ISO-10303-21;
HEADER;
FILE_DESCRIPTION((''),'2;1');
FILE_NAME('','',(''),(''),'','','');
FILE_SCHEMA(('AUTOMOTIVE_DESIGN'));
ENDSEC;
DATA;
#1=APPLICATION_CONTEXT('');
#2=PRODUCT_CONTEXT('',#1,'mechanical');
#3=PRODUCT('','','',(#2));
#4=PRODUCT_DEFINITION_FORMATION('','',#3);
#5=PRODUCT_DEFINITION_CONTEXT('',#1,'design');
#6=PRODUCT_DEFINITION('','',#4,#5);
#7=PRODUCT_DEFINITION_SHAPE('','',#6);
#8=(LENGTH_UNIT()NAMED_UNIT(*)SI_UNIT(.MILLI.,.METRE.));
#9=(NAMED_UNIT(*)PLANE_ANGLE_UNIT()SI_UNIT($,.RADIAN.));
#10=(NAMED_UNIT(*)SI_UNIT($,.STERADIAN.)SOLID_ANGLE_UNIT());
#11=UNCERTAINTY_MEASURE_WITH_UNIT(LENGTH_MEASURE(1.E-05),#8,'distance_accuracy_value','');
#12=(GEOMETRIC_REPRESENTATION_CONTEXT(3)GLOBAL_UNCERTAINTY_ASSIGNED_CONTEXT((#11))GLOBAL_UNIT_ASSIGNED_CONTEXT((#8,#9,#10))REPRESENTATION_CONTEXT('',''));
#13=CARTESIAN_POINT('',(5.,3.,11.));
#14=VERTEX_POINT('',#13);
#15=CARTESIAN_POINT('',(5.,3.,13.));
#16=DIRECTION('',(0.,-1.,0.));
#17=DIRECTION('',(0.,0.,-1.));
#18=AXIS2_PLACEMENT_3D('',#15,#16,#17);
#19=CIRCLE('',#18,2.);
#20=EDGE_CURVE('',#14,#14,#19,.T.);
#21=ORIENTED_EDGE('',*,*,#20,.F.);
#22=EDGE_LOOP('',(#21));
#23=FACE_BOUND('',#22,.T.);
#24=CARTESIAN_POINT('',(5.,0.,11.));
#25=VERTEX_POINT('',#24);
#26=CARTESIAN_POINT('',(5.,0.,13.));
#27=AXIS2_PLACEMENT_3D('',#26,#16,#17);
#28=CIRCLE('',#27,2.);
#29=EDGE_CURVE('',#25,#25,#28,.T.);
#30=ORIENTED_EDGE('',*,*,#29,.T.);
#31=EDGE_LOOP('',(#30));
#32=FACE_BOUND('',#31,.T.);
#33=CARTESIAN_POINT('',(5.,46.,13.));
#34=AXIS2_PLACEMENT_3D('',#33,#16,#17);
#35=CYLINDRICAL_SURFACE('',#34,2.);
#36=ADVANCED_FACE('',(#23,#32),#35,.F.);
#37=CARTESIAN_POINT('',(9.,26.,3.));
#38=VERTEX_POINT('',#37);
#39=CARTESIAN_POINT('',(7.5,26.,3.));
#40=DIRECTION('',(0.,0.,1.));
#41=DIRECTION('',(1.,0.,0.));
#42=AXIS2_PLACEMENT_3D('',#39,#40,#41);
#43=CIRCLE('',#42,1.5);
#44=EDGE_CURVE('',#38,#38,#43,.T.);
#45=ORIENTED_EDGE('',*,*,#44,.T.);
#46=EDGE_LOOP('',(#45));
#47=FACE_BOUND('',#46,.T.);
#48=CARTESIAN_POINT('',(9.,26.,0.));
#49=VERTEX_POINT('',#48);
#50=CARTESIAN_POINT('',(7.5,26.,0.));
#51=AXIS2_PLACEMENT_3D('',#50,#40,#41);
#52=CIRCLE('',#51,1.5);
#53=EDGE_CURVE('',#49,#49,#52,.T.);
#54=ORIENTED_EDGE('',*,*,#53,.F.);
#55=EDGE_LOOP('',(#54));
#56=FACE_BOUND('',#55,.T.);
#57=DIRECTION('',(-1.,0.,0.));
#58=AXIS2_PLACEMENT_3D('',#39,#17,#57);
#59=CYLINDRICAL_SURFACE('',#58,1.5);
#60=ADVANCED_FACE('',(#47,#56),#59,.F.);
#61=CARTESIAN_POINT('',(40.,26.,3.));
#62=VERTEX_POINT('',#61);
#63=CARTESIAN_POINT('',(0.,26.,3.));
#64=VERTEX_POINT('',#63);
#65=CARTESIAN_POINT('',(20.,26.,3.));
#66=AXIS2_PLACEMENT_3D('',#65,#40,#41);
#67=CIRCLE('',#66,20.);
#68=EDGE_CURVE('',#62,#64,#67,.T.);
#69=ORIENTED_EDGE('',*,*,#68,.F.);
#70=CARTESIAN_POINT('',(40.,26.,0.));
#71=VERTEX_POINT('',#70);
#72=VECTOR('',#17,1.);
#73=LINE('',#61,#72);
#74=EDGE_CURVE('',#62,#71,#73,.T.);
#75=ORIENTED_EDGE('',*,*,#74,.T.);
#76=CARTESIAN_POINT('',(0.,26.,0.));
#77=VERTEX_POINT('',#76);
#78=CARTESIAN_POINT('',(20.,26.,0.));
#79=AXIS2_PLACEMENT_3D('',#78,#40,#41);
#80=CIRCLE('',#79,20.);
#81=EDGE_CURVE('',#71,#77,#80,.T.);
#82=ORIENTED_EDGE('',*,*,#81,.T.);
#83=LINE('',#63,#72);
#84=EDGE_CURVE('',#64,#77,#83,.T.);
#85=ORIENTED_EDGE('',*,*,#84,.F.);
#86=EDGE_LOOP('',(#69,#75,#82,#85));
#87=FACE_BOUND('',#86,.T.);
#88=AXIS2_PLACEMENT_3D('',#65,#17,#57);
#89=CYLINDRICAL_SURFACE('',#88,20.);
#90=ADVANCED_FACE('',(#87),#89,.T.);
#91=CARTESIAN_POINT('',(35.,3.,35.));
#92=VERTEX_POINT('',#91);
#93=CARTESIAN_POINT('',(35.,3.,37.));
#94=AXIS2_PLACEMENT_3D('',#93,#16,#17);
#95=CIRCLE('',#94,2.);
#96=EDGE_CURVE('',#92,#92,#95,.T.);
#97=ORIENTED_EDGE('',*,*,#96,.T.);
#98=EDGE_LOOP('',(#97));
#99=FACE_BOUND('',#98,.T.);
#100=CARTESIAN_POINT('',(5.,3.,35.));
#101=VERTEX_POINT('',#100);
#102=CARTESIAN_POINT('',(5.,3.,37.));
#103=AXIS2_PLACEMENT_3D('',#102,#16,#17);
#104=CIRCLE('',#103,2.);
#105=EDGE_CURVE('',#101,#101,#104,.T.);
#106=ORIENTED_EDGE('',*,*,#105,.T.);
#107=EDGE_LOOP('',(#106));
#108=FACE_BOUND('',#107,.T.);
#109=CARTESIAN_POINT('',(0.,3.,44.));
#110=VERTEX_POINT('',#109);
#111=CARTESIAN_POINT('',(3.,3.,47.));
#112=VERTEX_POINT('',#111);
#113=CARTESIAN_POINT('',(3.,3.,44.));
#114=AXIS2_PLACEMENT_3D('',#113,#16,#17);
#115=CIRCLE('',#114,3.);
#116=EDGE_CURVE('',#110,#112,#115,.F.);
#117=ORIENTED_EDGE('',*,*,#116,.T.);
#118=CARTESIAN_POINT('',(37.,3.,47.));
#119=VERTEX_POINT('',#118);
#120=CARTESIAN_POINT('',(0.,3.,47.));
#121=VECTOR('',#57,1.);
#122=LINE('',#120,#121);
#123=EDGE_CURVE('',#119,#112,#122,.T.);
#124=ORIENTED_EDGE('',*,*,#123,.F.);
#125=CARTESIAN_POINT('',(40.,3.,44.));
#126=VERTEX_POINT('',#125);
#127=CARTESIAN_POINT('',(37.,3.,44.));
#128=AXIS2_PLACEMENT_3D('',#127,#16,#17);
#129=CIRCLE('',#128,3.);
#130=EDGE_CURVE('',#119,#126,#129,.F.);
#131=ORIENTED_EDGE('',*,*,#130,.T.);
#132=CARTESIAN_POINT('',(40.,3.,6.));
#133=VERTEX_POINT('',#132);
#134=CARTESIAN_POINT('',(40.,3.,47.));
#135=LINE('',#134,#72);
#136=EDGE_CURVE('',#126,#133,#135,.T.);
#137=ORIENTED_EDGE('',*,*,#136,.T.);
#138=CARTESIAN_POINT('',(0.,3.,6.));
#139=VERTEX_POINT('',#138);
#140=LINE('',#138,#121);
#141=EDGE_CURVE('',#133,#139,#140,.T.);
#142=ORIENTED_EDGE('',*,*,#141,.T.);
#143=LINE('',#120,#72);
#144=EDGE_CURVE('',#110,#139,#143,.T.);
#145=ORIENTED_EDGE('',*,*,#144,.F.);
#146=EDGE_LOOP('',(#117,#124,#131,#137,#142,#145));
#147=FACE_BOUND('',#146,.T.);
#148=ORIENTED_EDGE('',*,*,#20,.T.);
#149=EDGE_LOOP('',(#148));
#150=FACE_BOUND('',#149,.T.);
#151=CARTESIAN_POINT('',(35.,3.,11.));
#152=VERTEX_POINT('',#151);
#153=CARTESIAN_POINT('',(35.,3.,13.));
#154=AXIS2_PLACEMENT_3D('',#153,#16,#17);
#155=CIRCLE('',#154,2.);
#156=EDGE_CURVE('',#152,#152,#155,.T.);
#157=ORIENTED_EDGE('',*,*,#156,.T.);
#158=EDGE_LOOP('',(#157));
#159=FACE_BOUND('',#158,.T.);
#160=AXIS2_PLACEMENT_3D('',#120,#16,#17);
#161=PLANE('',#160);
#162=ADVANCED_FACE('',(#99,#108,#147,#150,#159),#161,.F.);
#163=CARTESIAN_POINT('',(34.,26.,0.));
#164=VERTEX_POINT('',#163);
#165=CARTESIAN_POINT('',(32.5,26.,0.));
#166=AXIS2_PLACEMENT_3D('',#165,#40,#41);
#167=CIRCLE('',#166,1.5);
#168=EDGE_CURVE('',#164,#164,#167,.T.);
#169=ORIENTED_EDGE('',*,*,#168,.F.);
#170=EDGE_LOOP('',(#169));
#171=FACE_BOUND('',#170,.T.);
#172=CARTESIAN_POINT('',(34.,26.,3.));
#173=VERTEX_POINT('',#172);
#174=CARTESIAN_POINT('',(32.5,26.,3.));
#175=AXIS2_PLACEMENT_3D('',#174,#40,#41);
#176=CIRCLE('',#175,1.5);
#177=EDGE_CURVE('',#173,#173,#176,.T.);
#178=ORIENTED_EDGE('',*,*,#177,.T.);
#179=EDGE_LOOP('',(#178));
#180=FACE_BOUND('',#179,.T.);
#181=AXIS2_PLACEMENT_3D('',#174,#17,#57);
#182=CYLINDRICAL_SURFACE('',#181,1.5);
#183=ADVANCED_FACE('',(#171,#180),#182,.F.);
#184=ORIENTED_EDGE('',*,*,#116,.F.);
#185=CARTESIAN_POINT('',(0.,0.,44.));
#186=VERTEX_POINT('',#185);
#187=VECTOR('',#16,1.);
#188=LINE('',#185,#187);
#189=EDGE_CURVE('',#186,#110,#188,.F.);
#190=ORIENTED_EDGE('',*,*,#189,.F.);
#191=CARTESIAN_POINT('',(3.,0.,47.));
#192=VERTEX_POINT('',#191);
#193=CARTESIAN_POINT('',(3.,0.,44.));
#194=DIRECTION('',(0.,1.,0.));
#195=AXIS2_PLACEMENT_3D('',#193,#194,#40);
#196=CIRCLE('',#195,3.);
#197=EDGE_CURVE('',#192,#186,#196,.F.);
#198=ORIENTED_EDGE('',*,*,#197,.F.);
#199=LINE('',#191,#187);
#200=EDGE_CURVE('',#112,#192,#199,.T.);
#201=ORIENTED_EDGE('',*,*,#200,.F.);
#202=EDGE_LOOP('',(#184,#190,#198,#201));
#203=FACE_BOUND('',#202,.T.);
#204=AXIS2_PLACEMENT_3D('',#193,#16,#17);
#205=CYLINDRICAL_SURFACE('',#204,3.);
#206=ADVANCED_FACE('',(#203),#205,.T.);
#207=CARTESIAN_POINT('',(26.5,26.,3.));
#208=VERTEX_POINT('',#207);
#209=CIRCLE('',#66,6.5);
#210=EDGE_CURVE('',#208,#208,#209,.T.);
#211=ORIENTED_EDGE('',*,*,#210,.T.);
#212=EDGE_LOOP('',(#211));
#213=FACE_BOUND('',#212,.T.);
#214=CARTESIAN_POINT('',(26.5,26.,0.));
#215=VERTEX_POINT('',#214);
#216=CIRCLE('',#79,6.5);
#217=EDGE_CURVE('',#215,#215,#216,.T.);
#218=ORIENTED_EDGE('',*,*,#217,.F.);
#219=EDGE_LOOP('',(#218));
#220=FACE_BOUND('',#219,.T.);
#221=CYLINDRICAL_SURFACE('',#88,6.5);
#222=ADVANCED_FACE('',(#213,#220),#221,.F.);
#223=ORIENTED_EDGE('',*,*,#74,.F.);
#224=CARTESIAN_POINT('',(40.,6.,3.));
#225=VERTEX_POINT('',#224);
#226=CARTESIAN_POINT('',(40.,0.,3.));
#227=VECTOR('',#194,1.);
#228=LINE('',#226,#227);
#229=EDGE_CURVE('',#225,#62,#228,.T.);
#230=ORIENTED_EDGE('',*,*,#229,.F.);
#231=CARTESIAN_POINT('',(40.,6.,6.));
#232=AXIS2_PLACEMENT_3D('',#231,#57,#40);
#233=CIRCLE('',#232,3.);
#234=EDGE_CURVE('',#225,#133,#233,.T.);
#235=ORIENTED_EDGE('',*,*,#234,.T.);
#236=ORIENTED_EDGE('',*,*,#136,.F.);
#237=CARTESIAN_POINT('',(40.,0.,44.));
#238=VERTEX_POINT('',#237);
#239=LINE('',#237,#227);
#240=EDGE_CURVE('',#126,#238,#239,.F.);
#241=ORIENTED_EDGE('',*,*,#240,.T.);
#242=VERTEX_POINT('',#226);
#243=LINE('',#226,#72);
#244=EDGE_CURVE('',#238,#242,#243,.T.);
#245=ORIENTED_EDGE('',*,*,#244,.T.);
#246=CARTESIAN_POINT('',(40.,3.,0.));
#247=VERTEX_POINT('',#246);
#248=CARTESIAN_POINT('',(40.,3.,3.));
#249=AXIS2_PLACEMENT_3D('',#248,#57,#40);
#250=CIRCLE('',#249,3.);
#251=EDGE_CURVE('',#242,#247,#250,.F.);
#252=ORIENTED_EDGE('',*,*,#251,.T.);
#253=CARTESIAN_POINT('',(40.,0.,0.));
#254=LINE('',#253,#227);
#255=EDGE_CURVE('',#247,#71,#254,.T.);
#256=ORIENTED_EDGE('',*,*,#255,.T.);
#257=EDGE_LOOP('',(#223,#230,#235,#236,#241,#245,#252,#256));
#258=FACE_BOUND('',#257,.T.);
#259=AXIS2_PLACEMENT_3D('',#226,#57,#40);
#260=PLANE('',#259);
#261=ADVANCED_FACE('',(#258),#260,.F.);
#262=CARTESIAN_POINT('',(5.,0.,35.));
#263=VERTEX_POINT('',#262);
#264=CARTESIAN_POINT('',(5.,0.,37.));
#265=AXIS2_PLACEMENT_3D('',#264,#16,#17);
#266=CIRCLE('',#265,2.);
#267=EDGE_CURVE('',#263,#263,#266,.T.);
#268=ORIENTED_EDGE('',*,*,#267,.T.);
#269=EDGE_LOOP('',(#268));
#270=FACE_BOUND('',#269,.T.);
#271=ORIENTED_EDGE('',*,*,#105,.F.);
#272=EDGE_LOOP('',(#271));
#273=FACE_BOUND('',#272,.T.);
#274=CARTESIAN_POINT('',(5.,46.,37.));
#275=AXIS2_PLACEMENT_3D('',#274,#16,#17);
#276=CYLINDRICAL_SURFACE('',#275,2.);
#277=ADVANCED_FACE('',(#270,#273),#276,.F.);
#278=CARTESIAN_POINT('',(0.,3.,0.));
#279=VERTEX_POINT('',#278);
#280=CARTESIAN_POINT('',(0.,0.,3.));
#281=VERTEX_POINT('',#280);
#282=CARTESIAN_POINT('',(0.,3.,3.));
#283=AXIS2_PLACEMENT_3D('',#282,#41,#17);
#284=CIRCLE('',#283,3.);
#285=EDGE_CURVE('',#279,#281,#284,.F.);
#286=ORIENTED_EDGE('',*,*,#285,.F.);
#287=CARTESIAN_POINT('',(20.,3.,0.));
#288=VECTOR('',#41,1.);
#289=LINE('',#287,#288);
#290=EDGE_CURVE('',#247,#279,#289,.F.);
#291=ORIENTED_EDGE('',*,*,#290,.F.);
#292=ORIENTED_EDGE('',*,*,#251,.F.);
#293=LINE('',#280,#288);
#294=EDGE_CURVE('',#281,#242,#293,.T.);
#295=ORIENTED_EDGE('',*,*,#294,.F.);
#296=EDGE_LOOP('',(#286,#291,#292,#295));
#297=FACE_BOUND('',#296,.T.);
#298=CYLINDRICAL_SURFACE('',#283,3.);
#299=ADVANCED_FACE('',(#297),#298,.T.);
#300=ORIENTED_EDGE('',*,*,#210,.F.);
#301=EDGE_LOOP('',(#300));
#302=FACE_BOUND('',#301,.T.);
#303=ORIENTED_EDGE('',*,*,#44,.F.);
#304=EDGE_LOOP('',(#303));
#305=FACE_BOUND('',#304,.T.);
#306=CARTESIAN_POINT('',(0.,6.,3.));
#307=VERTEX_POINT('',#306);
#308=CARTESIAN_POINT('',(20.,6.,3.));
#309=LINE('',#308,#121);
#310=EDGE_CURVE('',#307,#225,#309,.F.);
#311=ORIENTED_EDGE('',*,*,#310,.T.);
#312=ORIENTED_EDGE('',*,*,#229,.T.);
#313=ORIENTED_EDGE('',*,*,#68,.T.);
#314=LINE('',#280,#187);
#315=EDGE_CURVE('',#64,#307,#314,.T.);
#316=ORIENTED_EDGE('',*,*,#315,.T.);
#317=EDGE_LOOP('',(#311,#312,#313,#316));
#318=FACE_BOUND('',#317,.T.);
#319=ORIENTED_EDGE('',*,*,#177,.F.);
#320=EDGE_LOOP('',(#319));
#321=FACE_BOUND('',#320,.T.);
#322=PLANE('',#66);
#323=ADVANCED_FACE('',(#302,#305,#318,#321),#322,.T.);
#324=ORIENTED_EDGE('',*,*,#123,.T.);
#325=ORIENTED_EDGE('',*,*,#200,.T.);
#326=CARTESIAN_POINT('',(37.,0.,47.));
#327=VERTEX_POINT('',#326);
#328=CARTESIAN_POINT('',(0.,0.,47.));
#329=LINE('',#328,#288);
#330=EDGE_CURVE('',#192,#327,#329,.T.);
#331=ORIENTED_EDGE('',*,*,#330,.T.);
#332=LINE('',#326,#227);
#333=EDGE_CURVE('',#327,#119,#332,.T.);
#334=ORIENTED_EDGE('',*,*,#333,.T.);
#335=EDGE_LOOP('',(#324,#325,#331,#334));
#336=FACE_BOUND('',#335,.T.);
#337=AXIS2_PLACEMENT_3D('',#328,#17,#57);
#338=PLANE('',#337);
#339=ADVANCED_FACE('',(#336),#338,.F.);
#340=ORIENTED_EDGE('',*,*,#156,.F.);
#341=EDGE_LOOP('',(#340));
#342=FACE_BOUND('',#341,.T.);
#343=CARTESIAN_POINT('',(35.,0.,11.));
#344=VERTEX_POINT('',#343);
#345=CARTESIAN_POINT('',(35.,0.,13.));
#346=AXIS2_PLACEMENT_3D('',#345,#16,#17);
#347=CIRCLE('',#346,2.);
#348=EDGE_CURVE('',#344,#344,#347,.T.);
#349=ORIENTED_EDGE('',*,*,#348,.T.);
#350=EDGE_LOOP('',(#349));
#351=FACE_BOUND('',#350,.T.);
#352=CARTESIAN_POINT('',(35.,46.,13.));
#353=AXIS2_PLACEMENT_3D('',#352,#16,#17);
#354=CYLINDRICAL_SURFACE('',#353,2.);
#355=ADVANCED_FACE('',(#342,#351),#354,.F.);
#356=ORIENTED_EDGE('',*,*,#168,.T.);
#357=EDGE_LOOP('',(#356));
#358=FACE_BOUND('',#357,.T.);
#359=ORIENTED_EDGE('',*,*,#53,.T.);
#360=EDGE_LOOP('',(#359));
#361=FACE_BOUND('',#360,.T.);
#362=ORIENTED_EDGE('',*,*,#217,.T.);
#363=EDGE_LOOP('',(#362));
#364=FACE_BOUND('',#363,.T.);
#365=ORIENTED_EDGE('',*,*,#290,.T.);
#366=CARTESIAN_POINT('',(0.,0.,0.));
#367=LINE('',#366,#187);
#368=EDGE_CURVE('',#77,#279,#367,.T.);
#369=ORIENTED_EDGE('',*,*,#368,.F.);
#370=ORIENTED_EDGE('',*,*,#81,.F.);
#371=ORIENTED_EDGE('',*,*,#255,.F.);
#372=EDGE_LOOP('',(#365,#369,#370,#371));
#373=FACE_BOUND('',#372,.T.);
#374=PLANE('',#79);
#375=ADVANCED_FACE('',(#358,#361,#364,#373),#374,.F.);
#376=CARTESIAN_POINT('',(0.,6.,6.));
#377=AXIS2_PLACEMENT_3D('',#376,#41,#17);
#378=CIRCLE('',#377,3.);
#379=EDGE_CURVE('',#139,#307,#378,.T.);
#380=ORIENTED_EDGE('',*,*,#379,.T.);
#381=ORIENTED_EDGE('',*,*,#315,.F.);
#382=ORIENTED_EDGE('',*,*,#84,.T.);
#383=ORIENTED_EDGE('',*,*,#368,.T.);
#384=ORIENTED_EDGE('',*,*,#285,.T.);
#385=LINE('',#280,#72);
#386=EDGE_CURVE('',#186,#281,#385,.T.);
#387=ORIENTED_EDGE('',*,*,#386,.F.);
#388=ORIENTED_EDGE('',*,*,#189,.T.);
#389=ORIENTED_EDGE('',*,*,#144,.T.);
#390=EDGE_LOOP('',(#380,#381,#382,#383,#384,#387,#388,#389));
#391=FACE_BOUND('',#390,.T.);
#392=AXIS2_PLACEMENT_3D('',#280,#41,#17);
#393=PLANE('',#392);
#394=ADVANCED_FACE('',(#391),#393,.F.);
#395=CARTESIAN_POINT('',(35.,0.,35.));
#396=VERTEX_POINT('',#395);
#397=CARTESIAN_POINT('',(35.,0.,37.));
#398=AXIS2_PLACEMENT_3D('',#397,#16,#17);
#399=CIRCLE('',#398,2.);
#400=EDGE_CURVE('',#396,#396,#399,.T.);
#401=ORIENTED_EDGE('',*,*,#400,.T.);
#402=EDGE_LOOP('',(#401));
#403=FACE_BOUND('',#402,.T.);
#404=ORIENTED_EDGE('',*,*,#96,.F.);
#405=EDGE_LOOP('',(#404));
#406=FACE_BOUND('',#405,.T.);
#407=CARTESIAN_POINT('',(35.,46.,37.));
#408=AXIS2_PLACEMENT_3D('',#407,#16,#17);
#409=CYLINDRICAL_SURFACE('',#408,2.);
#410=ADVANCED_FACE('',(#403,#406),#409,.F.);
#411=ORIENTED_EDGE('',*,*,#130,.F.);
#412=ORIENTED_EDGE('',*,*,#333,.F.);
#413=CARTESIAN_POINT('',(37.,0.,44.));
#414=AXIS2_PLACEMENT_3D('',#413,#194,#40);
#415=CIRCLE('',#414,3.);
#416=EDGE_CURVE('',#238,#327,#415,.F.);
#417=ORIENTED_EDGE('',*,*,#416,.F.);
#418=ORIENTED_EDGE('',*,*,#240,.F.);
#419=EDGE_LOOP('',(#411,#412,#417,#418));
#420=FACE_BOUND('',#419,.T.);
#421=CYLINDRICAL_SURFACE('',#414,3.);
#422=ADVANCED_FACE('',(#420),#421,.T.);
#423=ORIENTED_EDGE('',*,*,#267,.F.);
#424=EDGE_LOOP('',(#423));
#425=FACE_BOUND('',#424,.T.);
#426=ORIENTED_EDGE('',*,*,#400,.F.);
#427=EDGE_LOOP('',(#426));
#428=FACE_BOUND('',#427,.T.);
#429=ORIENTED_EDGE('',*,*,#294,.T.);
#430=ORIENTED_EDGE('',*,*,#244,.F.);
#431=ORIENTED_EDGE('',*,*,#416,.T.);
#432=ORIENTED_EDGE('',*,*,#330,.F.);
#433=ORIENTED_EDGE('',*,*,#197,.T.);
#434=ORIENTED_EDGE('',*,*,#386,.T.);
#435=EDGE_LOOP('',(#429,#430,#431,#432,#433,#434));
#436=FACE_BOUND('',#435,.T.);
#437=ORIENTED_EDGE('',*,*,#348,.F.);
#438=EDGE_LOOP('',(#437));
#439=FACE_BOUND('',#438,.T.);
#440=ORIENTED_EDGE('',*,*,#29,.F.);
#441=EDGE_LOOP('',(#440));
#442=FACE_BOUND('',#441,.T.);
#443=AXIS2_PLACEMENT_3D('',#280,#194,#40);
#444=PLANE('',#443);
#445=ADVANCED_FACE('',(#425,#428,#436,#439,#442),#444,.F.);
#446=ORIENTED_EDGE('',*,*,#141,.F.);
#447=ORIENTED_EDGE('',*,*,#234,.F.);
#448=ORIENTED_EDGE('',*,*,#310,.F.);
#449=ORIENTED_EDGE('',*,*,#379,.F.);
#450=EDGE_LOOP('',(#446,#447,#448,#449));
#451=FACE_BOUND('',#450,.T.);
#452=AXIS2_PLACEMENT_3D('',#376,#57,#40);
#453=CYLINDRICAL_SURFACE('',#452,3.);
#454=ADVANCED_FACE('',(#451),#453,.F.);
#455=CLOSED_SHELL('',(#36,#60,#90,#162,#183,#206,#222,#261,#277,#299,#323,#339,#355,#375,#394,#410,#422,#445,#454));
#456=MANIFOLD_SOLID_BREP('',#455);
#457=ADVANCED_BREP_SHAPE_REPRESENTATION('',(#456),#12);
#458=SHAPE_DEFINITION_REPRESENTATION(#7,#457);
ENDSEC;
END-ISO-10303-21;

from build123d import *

# Parameters (mm, degrees)
SKETCH_1_R          = 6.5
SKETCH_1_R_2        = 1.5
EXTRUDE_1_DEPTH     = 3
SKETCH_2_W          = 40
SKETCH_2_H          = 3
EXTRUDE_2_DEPTH     = 44
FILLET_4_R          = 3
SKETCH_3_R          = 2
CUT_EXTRUDE_1_DEPTH = 77.974021592
FILLET_5_R          = 3
FILLET_6_R          = 3


with BuildPart() as part:
    # Эскиз1 → Бобышка-Вытянуть1 (new body)
    with BuildSketch(Plane.XY):
        with BuildLine():
            Line((0, 0), (40, 0))
            Line((40, 0), (40, 26))
            ThreePointArc((40, 26), (20, 46), (0, 26))
            Line((0, 26), (0, 0))
        make_face()
        with Locations((20, 26)):
            Circle(SKETCH_1_R, mode=Mode.SUBTRACT)
        with Locations((32.5, 26)):
            Circle(SKETCH_1_R_2, mode=Mode.SUBTRACT)
        with Locations((7.5, 26)):
            Circle(SKETCH_1_R_2, mode=Mode.SUBTRACT)
    extrude(amount=EXTRUDE_1_DEPTH)

    # Эскиз2 → Бобышка-Вытянуть2 (add)
    with BuildSketch(Plane.XY.offset(3)):
        with Locations((20, 1.5)):
            Rectangle(SKETCH_2_W, SKETCH_2_H)
    extrude(amount=EXTRUDE_2_DEPTH)

    # Скругление4
    fillet_4_edges = [part.edges().sort_by_distance(p)[0] for p in [
        (20, 0, 0),
    ]]
    fillet(fillet_4_edges, radius=FILLET_4_R)

    # Эскиз3 → Вырез-Вытянуть1 (cut, through all)
    with BuildSketch(Plane.XZ):
        with Locations(Location((5, 37, 0), (0, 0, 270))):
            Circle(SKETCH_3_R)
        with Locations(Location((35, 37, 0), (0, 0, 270))):
            Circle(SKETCH_3_R)
        with Locations(Location((5, 13, 0), (0, 0, 270))):
            Circle(SKETCH_3_R)
        with Locations(Location((35, 13, 0), (0, 0, 270))):
            Circle(SKETCH_3_R)
    extrude(amount=-CUT_EXTRUDE_1_DEPTH, mode=Mode.SUBTRACT)

    # Скругление5
    fillet_5_edges = [part.edges().sort_by_distance(p)[0] for p in [
        (20, 3, 3),
    ]]
    fillet(fillet_5_edges, radius=FILLET_5_R)

    # Скругление6
    fillet_6_edges = [part.edges().sort_by_distance(p)[0] for p in [
        (40, 1.5, 47),
        (0, 1.5, 47),
    ]]
    fillet(fillet_6_edges, radius=FILLET_6_R)


solid = part.part
